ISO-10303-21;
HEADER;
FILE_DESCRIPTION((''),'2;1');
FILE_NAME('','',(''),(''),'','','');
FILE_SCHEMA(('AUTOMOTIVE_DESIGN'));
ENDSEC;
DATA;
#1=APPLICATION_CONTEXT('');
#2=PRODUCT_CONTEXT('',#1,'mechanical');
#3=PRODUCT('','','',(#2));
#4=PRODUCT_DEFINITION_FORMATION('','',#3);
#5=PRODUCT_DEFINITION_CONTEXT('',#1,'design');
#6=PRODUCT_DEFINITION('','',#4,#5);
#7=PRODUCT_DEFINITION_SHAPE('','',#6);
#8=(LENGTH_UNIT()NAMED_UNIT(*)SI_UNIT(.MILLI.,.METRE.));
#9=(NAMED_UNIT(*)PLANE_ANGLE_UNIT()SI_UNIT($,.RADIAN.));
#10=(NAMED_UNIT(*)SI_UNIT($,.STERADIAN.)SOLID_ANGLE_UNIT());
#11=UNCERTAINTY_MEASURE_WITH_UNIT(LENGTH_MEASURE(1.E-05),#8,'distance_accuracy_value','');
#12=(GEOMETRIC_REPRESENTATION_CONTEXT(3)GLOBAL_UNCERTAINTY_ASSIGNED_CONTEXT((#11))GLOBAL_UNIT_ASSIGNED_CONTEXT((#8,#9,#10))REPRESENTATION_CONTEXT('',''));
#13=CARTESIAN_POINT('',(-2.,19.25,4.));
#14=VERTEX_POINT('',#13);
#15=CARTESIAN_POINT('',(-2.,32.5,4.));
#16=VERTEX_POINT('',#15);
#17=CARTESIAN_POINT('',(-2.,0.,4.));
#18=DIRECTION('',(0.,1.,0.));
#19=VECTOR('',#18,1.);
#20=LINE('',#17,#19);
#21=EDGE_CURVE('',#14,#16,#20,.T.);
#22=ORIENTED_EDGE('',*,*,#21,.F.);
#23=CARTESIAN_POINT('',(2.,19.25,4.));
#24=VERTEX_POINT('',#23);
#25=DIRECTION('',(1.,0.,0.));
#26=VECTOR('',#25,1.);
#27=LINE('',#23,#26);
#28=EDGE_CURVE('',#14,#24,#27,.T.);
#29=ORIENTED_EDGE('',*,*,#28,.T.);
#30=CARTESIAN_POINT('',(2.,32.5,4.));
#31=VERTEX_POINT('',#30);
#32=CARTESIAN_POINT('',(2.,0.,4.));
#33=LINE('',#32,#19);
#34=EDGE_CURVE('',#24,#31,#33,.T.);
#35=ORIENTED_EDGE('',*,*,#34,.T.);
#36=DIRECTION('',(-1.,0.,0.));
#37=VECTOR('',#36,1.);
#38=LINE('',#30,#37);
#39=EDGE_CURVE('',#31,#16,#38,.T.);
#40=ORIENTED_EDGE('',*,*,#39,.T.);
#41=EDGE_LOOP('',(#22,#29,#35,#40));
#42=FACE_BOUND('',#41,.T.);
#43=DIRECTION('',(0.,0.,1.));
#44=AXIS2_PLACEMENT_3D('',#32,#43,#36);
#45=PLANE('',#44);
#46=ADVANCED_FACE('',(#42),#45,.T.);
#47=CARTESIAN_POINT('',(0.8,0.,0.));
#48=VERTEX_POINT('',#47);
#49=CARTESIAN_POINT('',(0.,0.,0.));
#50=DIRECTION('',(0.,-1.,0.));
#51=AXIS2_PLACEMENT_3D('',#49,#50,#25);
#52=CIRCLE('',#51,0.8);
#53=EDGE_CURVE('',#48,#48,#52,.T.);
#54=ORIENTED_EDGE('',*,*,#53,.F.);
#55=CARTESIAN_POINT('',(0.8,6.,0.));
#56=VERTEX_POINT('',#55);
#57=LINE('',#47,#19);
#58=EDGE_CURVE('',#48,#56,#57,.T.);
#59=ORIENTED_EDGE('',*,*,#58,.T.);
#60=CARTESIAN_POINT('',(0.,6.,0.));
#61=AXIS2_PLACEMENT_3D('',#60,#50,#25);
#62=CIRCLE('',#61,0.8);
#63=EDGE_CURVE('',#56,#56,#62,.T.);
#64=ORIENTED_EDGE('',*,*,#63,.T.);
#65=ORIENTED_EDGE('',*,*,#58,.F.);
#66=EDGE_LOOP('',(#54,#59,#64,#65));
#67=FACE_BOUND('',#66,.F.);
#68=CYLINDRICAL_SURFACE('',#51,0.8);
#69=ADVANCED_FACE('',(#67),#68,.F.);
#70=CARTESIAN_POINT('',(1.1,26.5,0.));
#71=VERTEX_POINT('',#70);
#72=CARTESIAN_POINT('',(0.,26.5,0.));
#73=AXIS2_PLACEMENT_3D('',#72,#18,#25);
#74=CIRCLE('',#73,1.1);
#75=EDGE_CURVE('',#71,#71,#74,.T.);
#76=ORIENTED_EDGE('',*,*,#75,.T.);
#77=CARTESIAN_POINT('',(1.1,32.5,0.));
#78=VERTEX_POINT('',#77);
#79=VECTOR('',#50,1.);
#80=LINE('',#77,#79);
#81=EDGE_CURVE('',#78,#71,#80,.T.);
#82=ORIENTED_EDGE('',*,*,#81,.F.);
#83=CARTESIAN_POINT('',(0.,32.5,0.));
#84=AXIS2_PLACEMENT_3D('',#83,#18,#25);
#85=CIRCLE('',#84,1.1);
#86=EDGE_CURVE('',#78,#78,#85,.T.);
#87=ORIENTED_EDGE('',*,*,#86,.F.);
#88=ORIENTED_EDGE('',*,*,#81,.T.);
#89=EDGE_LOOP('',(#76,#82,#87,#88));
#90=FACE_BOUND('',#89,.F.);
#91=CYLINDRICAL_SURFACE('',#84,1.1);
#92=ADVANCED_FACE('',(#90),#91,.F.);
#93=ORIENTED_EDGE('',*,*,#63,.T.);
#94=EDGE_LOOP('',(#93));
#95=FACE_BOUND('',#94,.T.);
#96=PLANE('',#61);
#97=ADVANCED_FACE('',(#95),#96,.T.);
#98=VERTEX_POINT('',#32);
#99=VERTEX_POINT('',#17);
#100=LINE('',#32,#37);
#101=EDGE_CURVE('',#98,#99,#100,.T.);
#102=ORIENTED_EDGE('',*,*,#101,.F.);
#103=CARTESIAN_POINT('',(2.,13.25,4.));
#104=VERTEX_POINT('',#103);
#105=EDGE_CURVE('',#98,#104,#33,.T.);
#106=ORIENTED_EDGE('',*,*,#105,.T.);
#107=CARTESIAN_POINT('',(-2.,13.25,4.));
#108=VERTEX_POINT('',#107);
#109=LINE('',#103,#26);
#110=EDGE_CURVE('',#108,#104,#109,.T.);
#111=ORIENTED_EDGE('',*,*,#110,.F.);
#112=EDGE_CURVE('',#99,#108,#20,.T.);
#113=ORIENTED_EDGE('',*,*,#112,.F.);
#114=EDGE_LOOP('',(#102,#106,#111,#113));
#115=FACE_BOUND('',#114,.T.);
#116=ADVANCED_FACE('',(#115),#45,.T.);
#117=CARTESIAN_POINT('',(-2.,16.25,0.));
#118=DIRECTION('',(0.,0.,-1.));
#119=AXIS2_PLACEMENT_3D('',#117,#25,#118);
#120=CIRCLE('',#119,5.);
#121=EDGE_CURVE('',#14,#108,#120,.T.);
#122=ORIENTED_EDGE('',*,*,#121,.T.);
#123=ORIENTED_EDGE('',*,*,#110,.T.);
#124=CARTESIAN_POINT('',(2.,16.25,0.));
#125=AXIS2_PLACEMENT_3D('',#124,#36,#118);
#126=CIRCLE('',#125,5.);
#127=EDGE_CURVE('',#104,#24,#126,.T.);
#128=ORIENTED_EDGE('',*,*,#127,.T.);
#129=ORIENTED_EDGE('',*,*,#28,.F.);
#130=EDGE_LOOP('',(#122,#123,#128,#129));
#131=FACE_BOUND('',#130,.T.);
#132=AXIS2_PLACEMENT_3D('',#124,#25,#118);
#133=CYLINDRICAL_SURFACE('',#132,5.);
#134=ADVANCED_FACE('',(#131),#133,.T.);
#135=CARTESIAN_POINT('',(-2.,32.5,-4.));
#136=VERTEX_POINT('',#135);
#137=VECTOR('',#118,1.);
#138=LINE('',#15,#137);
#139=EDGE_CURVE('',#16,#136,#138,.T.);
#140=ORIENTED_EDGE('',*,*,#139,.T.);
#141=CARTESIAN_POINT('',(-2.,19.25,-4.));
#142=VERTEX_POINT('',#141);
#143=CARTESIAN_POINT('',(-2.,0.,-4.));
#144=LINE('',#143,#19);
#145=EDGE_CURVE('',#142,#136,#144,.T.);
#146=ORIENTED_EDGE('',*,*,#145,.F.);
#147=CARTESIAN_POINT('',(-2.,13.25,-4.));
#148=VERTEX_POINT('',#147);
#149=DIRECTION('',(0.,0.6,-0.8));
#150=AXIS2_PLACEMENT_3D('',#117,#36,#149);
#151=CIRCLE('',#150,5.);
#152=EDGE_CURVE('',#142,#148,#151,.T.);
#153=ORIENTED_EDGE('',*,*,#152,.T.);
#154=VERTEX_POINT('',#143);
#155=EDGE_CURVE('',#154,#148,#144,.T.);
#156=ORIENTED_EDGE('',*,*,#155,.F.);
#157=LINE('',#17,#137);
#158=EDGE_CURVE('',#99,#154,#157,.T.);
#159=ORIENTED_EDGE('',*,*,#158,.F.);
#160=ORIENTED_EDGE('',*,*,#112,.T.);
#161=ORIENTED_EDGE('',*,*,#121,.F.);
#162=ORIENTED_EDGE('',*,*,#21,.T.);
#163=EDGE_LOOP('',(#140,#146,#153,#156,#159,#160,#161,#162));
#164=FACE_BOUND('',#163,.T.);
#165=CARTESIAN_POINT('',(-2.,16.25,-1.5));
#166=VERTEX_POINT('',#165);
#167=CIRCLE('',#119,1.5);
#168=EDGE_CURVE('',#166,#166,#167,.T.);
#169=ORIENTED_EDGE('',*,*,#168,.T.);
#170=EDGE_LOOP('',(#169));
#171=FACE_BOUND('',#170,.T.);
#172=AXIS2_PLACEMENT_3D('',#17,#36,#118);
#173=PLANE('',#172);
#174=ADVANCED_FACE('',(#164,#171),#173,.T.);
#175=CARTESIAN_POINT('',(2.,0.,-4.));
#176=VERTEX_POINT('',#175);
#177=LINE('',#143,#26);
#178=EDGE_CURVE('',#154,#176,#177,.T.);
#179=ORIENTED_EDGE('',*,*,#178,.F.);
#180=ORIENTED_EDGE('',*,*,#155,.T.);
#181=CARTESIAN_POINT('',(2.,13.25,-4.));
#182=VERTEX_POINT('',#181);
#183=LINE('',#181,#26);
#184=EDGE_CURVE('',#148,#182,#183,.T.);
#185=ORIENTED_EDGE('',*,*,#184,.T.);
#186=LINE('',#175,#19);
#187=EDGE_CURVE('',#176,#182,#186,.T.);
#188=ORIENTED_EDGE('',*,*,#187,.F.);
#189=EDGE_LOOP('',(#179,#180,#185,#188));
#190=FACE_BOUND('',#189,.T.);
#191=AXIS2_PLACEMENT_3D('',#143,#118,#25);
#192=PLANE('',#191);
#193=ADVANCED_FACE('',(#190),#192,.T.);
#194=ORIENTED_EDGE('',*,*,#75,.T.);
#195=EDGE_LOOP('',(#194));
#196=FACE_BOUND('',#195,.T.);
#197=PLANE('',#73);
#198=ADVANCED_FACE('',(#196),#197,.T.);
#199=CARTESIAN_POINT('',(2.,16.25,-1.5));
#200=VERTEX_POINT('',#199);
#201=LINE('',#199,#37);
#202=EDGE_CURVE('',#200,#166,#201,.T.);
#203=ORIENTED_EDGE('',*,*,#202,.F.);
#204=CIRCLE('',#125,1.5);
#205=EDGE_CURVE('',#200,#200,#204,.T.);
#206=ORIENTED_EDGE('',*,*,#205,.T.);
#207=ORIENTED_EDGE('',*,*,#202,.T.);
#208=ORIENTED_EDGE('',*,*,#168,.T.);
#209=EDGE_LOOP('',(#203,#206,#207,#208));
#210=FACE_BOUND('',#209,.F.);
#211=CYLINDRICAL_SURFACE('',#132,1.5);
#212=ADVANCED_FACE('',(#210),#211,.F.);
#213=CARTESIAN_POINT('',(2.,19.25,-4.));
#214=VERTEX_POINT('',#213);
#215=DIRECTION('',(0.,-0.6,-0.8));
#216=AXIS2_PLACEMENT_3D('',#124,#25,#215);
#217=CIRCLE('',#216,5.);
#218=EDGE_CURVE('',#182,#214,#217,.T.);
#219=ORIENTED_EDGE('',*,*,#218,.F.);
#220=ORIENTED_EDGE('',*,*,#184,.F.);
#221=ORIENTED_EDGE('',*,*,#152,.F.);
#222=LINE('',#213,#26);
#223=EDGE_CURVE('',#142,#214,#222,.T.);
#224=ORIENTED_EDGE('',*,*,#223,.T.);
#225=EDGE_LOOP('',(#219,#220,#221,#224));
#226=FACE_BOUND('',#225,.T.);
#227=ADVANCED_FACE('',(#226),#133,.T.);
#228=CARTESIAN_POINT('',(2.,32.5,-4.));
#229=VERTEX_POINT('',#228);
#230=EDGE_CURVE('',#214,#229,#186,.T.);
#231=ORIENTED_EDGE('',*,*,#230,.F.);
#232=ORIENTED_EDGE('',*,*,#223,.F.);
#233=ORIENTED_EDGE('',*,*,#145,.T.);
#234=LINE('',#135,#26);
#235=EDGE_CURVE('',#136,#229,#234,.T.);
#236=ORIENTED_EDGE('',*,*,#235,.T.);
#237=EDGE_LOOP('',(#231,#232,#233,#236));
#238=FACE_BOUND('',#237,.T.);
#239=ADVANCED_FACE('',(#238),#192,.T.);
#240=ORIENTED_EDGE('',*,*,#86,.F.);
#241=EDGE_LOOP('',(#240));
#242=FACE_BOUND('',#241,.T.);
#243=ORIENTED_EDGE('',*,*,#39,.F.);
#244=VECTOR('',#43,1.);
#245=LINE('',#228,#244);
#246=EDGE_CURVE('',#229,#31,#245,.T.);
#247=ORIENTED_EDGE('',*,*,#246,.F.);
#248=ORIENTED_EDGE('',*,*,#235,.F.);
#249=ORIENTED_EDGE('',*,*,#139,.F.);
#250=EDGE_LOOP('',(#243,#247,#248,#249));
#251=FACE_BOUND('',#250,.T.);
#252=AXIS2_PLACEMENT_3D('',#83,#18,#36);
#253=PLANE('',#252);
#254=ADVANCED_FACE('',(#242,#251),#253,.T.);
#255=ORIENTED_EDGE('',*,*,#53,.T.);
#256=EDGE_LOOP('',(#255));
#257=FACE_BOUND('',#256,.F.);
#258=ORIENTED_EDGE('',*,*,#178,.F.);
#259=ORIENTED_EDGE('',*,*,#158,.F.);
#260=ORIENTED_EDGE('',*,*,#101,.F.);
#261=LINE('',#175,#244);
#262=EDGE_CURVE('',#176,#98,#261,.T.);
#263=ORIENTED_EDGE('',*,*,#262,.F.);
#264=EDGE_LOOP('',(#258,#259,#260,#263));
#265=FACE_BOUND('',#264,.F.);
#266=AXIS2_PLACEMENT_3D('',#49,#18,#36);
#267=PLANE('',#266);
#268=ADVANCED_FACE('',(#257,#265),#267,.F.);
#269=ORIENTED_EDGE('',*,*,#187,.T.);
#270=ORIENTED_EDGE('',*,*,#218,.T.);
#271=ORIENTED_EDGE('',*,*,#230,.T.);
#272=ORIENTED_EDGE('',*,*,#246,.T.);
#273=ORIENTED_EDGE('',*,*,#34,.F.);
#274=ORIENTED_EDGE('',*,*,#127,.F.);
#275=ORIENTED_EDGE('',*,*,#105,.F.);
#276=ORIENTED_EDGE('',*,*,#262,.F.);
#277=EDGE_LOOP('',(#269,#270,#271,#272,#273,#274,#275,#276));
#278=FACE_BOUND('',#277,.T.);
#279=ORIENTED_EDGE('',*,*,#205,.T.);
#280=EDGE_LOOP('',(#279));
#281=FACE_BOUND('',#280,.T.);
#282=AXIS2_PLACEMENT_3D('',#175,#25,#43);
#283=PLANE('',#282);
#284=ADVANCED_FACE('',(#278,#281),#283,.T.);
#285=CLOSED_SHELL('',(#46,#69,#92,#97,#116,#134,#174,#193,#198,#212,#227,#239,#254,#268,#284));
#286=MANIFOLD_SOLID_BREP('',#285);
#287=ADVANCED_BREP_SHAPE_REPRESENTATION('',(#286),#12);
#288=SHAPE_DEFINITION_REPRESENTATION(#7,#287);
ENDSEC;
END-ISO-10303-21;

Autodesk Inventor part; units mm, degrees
ref_plane "YZ Plane" through (0, 0, 0) normal (1, 0, 0) x (0, 1, 0)
ref_plane "XZ Plane" through (0, 0, 0) normal (0, 1, 0) x (-1, 0, 0)
ref_plane "XY Plane" through (0, 0, 0) normal (0, 0, 1) x (1, 0, 0)
sketch "スケッチ1" plane through (0, 0, 0) normal (0, 1, 0) x (-1, 0, 0)
  line L0 (-2, 4) -> (2, 4)
  line L1 (2, 4) -> (2, -4)
  line L2 (2, -4) -> (-2, -4)
  line L3 (-2, -4) -> (-2, 4)
  line L4 (-2, 4) -> (2, -4) construction
  line L5 (2, 4) -> (-2, -4) construction
  circle A0 centre (0, 0) radius 1
  dimension "d0" = 8
  dimension "d1" = 4
  dimension "d2" = 2
extrude "押し出し1" add sketch "スケッチ1" along normal blind 32.5 contours L0 L1 L2 L3 | A0
sketch "スケッチ2" plane through (0, 0, 0) normal (0, -1, 0) x (1, 0, 0)
  circle A0 centre (0, 0) radius 0.8
  dimension "d5" = 1.6
extrude "押し出し2" cut sketch "スケッチ2" against normal blind 6
sketch "スケッチ3" plane through (2, 0, 4) normal (1, 0, 0) x (0, 0, -1)
  circle A0 centre (4, 24.25) radius 1.5 construction
  circle A1 centre (4, 8.25) radius 1.5 construction
  line L0 (8, 32.5) -> (0, 32.5) projected
  line L1 (4, 32.5) -> (4, 0)
  line L2 (4, 0) -> (3.3318, 0)
  line L3 (4, 32.5) -> (4, 24.25) construction
  line L4 (4, 24.25) -> (4, 8.25) construction
  line L5 (4, 8.25) -> (4, 0) construction
  line L6 (0, 0) -> (8, 0) projected
  line L7 (0, 32.5) -> (8, 32.5) projected
  circle A2 centre (4, 16.25) radius 1.5
  dimension "d8" = 3
  dimension "d9" = 16
  dimension "d15" = 3
extrude "押し出し3" cut sketch "スケッチ3" against normal up to surface (4 mm away)
sketch "スケッチ4" plane through (0, 32.5, 0) normal (0, 1, 0) x (1, 0, 0)
  circle A0 centre (0, 0) radius 1.1
  dimension "d12" = 2.2
extrude "押し出し4" cut sketch "スケッチ4" against normal blind 6
sketch "スケッチ5" plane through (2, 0, 4) normal (1, 0, 0) x (0, 0, -1)
  circle A0 centre (4, 16.25) radius 1.5 projected
  line L0 (0, 0) -> (8, 0) projected
  line L1 (8, 0) -> (8, 32.5) projected
  line L2 (0, 32.5) -> (8, 32.5) projected
  line L3 (0, 0) -> (0, 32.5) projected
  circle A1 centre (4, 16.25) radius 5
  point P0 (4, 0)
  dimension "d16" = 10
extrude "押し出し5" add sketch "スケッチ5" against normal up to surface (4 mm away) contours A1 L3 | L3 A1 L1 | L1 A1
properties part number "BallSensor"
